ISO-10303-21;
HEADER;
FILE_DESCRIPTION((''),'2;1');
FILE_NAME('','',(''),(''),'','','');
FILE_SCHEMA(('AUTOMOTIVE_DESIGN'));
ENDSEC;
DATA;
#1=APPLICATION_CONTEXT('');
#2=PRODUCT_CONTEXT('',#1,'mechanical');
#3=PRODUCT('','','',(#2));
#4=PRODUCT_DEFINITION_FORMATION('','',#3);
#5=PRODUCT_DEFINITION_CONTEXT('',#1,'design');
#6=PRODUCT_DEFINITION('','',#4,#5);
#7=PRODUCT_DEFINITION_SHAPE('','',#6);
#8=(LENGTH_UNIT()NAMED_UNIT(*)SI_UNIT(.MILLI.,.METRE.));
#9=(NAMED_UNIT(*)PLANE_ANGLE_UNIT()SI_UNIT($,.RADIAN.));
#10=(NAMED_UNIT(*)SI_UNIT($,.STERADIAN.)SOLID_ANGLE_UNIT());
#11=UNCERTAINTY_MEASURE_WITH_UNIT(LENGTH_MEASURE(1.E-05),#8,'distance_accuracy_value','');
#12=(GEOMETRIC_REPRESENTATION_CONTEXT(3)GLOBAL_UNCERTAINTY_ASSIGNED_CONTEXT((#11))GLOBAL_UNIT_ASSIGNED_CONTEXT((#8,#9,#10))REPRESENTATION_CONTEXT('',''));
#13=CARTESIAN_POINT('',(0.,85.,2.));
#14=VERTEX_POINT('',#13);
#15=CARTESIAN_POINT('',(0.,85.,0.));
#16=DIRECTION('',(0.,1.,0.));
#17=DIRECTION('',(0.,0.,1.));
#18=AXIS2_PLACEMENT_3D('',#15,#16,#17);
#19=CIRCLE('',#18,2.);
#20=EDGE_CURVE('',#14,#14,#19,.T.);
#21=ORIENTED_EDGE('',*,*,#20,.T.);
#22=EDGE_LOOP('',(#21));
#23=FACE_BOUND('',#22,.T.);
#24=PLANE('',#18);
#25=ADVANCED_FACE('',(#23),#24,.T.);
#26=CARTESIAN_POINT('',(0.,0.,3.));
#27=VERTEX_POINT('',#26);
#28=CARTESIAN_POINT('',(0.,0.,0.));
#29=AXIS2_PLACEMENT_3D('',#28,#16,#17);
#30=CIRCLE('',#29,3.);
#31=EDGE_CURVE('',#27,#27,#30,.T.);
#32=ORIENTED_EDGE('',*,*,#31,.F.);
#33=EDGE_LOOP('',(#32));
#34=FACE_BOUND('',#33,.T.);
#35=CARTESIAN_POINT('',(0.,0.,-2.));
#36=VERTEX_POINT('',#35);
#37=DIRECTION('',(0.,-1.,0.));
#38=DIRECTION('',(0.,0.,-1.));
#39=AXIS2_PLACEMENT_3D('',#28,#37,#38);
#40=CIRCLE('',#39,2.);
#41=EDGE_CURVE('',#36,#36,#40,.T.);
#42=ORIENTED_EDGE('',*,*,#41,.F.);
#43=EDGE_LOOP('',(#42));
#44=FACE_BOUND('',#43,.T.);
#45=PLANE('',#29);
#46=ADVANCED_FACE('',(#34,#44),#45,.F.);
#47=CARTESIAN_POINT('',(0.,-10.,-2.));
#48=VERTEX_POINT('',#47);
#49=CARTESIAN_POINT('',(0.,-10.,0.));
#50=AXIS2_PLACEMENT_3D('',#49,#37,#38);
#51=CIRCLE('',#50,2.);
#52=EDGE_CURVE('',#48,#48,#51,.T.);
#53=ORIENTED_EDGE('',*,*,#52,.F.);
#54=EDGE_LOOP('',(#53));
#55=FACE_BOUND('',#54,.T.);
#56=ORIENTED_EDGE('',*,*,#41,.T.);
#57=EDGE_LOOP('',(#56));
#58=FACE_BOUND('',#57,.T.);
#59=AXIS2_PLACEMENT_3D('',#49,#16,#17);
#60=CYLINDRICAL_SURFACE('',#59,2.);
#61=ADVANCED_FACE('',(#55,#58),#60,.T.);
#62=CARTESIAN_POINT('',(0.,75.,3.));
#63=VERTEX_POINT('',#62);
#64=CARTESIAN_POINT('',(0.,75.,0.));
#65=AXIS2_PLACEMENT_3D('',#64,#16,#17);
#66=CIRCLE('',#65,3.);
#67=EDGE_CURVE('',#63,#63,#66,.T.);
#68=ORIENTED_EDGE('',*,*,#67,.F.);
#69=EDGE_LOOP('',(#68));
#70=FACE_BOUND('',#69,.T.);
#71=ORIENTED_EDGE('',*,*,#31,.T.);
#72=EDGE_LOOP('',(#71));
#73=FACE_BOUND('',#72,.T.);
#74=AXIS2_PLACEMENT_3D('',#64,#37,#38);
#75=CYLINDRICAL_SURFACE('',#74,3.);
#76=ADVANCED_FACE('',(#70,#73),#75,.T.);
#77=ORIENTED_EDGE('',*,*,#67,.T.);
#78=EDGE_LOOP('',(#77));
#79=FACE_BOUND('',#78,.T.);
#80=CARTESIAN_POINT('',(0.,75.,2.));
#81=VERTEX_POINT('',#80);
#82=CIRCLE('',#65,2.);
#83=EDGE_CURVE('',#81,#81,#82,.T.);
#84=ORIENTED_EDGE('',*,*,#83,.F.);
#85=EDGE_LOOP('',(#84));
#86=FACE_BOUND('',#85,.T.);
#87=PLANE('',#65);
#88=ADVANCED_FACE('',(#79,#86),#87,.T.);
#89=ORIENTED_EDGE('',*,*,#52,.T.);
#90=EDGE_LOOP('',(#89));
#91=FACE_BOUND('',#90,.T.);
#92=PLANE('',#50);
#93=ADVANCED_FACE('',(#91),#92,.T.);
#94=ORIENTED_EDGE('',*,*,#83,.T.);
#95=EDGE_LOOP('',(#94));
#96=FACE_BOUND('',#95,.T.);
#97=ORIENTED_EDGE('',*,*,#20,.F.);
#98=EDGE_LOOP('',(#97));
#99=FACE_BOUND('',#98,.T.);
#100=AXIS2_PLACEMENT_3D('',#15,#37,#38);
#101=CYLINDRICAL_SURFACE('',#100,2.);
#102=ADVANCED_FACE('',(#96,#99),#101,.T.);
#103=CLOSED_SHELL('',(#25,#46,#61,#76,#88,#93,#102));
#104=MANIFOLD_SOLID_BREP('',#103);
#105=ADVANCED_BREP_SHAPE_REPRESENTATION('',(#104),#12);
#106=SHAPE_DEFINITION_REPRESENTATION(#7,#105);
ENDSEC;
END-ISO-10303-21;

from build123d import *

# Parameters (mm, degrees)
SKETCH1_R           = 3
BOSS_EXTRUDE1_DEPTH = 75
SKETCH2_R           = 2
BOSS_EXTRUDE2_DEPTH = 10
SKETCH3_R           = 2
BOSS_EXTRUDE3_DEPTH = 10


with BuildPart() as part:
    # Sketch1 → Boss-Extrude1 (new body)
    with BuildSketch(Plane(origin=(0, 0, 0), x_dir=(1, 0, 0), z_dir=(0, 1, 0))):
        Circle(SKETCH1_R)
    extrude(amount=BOSS_EXTRUDE1_DEPTH)

    # Sketch2 → Boss-Extrude2 (add)
    with BuildSketch(Plane(origin=(0, 75, 0), x_dir=(1, 0, 0), z_dir=(0, 1, 0))):
        Circle(SKETCH2_R)
    extrude(amount=BOSS_EXTRUDE2_DEPTH)

    # Sketch3 → Boss-Extrude3 (add)
    with BuildSketch(Plane.XZ):
        Circle(SKETCH3_R)
    extrude(amount=BOSS_EXTRUDE3_DEPTH)


solid = part.part
